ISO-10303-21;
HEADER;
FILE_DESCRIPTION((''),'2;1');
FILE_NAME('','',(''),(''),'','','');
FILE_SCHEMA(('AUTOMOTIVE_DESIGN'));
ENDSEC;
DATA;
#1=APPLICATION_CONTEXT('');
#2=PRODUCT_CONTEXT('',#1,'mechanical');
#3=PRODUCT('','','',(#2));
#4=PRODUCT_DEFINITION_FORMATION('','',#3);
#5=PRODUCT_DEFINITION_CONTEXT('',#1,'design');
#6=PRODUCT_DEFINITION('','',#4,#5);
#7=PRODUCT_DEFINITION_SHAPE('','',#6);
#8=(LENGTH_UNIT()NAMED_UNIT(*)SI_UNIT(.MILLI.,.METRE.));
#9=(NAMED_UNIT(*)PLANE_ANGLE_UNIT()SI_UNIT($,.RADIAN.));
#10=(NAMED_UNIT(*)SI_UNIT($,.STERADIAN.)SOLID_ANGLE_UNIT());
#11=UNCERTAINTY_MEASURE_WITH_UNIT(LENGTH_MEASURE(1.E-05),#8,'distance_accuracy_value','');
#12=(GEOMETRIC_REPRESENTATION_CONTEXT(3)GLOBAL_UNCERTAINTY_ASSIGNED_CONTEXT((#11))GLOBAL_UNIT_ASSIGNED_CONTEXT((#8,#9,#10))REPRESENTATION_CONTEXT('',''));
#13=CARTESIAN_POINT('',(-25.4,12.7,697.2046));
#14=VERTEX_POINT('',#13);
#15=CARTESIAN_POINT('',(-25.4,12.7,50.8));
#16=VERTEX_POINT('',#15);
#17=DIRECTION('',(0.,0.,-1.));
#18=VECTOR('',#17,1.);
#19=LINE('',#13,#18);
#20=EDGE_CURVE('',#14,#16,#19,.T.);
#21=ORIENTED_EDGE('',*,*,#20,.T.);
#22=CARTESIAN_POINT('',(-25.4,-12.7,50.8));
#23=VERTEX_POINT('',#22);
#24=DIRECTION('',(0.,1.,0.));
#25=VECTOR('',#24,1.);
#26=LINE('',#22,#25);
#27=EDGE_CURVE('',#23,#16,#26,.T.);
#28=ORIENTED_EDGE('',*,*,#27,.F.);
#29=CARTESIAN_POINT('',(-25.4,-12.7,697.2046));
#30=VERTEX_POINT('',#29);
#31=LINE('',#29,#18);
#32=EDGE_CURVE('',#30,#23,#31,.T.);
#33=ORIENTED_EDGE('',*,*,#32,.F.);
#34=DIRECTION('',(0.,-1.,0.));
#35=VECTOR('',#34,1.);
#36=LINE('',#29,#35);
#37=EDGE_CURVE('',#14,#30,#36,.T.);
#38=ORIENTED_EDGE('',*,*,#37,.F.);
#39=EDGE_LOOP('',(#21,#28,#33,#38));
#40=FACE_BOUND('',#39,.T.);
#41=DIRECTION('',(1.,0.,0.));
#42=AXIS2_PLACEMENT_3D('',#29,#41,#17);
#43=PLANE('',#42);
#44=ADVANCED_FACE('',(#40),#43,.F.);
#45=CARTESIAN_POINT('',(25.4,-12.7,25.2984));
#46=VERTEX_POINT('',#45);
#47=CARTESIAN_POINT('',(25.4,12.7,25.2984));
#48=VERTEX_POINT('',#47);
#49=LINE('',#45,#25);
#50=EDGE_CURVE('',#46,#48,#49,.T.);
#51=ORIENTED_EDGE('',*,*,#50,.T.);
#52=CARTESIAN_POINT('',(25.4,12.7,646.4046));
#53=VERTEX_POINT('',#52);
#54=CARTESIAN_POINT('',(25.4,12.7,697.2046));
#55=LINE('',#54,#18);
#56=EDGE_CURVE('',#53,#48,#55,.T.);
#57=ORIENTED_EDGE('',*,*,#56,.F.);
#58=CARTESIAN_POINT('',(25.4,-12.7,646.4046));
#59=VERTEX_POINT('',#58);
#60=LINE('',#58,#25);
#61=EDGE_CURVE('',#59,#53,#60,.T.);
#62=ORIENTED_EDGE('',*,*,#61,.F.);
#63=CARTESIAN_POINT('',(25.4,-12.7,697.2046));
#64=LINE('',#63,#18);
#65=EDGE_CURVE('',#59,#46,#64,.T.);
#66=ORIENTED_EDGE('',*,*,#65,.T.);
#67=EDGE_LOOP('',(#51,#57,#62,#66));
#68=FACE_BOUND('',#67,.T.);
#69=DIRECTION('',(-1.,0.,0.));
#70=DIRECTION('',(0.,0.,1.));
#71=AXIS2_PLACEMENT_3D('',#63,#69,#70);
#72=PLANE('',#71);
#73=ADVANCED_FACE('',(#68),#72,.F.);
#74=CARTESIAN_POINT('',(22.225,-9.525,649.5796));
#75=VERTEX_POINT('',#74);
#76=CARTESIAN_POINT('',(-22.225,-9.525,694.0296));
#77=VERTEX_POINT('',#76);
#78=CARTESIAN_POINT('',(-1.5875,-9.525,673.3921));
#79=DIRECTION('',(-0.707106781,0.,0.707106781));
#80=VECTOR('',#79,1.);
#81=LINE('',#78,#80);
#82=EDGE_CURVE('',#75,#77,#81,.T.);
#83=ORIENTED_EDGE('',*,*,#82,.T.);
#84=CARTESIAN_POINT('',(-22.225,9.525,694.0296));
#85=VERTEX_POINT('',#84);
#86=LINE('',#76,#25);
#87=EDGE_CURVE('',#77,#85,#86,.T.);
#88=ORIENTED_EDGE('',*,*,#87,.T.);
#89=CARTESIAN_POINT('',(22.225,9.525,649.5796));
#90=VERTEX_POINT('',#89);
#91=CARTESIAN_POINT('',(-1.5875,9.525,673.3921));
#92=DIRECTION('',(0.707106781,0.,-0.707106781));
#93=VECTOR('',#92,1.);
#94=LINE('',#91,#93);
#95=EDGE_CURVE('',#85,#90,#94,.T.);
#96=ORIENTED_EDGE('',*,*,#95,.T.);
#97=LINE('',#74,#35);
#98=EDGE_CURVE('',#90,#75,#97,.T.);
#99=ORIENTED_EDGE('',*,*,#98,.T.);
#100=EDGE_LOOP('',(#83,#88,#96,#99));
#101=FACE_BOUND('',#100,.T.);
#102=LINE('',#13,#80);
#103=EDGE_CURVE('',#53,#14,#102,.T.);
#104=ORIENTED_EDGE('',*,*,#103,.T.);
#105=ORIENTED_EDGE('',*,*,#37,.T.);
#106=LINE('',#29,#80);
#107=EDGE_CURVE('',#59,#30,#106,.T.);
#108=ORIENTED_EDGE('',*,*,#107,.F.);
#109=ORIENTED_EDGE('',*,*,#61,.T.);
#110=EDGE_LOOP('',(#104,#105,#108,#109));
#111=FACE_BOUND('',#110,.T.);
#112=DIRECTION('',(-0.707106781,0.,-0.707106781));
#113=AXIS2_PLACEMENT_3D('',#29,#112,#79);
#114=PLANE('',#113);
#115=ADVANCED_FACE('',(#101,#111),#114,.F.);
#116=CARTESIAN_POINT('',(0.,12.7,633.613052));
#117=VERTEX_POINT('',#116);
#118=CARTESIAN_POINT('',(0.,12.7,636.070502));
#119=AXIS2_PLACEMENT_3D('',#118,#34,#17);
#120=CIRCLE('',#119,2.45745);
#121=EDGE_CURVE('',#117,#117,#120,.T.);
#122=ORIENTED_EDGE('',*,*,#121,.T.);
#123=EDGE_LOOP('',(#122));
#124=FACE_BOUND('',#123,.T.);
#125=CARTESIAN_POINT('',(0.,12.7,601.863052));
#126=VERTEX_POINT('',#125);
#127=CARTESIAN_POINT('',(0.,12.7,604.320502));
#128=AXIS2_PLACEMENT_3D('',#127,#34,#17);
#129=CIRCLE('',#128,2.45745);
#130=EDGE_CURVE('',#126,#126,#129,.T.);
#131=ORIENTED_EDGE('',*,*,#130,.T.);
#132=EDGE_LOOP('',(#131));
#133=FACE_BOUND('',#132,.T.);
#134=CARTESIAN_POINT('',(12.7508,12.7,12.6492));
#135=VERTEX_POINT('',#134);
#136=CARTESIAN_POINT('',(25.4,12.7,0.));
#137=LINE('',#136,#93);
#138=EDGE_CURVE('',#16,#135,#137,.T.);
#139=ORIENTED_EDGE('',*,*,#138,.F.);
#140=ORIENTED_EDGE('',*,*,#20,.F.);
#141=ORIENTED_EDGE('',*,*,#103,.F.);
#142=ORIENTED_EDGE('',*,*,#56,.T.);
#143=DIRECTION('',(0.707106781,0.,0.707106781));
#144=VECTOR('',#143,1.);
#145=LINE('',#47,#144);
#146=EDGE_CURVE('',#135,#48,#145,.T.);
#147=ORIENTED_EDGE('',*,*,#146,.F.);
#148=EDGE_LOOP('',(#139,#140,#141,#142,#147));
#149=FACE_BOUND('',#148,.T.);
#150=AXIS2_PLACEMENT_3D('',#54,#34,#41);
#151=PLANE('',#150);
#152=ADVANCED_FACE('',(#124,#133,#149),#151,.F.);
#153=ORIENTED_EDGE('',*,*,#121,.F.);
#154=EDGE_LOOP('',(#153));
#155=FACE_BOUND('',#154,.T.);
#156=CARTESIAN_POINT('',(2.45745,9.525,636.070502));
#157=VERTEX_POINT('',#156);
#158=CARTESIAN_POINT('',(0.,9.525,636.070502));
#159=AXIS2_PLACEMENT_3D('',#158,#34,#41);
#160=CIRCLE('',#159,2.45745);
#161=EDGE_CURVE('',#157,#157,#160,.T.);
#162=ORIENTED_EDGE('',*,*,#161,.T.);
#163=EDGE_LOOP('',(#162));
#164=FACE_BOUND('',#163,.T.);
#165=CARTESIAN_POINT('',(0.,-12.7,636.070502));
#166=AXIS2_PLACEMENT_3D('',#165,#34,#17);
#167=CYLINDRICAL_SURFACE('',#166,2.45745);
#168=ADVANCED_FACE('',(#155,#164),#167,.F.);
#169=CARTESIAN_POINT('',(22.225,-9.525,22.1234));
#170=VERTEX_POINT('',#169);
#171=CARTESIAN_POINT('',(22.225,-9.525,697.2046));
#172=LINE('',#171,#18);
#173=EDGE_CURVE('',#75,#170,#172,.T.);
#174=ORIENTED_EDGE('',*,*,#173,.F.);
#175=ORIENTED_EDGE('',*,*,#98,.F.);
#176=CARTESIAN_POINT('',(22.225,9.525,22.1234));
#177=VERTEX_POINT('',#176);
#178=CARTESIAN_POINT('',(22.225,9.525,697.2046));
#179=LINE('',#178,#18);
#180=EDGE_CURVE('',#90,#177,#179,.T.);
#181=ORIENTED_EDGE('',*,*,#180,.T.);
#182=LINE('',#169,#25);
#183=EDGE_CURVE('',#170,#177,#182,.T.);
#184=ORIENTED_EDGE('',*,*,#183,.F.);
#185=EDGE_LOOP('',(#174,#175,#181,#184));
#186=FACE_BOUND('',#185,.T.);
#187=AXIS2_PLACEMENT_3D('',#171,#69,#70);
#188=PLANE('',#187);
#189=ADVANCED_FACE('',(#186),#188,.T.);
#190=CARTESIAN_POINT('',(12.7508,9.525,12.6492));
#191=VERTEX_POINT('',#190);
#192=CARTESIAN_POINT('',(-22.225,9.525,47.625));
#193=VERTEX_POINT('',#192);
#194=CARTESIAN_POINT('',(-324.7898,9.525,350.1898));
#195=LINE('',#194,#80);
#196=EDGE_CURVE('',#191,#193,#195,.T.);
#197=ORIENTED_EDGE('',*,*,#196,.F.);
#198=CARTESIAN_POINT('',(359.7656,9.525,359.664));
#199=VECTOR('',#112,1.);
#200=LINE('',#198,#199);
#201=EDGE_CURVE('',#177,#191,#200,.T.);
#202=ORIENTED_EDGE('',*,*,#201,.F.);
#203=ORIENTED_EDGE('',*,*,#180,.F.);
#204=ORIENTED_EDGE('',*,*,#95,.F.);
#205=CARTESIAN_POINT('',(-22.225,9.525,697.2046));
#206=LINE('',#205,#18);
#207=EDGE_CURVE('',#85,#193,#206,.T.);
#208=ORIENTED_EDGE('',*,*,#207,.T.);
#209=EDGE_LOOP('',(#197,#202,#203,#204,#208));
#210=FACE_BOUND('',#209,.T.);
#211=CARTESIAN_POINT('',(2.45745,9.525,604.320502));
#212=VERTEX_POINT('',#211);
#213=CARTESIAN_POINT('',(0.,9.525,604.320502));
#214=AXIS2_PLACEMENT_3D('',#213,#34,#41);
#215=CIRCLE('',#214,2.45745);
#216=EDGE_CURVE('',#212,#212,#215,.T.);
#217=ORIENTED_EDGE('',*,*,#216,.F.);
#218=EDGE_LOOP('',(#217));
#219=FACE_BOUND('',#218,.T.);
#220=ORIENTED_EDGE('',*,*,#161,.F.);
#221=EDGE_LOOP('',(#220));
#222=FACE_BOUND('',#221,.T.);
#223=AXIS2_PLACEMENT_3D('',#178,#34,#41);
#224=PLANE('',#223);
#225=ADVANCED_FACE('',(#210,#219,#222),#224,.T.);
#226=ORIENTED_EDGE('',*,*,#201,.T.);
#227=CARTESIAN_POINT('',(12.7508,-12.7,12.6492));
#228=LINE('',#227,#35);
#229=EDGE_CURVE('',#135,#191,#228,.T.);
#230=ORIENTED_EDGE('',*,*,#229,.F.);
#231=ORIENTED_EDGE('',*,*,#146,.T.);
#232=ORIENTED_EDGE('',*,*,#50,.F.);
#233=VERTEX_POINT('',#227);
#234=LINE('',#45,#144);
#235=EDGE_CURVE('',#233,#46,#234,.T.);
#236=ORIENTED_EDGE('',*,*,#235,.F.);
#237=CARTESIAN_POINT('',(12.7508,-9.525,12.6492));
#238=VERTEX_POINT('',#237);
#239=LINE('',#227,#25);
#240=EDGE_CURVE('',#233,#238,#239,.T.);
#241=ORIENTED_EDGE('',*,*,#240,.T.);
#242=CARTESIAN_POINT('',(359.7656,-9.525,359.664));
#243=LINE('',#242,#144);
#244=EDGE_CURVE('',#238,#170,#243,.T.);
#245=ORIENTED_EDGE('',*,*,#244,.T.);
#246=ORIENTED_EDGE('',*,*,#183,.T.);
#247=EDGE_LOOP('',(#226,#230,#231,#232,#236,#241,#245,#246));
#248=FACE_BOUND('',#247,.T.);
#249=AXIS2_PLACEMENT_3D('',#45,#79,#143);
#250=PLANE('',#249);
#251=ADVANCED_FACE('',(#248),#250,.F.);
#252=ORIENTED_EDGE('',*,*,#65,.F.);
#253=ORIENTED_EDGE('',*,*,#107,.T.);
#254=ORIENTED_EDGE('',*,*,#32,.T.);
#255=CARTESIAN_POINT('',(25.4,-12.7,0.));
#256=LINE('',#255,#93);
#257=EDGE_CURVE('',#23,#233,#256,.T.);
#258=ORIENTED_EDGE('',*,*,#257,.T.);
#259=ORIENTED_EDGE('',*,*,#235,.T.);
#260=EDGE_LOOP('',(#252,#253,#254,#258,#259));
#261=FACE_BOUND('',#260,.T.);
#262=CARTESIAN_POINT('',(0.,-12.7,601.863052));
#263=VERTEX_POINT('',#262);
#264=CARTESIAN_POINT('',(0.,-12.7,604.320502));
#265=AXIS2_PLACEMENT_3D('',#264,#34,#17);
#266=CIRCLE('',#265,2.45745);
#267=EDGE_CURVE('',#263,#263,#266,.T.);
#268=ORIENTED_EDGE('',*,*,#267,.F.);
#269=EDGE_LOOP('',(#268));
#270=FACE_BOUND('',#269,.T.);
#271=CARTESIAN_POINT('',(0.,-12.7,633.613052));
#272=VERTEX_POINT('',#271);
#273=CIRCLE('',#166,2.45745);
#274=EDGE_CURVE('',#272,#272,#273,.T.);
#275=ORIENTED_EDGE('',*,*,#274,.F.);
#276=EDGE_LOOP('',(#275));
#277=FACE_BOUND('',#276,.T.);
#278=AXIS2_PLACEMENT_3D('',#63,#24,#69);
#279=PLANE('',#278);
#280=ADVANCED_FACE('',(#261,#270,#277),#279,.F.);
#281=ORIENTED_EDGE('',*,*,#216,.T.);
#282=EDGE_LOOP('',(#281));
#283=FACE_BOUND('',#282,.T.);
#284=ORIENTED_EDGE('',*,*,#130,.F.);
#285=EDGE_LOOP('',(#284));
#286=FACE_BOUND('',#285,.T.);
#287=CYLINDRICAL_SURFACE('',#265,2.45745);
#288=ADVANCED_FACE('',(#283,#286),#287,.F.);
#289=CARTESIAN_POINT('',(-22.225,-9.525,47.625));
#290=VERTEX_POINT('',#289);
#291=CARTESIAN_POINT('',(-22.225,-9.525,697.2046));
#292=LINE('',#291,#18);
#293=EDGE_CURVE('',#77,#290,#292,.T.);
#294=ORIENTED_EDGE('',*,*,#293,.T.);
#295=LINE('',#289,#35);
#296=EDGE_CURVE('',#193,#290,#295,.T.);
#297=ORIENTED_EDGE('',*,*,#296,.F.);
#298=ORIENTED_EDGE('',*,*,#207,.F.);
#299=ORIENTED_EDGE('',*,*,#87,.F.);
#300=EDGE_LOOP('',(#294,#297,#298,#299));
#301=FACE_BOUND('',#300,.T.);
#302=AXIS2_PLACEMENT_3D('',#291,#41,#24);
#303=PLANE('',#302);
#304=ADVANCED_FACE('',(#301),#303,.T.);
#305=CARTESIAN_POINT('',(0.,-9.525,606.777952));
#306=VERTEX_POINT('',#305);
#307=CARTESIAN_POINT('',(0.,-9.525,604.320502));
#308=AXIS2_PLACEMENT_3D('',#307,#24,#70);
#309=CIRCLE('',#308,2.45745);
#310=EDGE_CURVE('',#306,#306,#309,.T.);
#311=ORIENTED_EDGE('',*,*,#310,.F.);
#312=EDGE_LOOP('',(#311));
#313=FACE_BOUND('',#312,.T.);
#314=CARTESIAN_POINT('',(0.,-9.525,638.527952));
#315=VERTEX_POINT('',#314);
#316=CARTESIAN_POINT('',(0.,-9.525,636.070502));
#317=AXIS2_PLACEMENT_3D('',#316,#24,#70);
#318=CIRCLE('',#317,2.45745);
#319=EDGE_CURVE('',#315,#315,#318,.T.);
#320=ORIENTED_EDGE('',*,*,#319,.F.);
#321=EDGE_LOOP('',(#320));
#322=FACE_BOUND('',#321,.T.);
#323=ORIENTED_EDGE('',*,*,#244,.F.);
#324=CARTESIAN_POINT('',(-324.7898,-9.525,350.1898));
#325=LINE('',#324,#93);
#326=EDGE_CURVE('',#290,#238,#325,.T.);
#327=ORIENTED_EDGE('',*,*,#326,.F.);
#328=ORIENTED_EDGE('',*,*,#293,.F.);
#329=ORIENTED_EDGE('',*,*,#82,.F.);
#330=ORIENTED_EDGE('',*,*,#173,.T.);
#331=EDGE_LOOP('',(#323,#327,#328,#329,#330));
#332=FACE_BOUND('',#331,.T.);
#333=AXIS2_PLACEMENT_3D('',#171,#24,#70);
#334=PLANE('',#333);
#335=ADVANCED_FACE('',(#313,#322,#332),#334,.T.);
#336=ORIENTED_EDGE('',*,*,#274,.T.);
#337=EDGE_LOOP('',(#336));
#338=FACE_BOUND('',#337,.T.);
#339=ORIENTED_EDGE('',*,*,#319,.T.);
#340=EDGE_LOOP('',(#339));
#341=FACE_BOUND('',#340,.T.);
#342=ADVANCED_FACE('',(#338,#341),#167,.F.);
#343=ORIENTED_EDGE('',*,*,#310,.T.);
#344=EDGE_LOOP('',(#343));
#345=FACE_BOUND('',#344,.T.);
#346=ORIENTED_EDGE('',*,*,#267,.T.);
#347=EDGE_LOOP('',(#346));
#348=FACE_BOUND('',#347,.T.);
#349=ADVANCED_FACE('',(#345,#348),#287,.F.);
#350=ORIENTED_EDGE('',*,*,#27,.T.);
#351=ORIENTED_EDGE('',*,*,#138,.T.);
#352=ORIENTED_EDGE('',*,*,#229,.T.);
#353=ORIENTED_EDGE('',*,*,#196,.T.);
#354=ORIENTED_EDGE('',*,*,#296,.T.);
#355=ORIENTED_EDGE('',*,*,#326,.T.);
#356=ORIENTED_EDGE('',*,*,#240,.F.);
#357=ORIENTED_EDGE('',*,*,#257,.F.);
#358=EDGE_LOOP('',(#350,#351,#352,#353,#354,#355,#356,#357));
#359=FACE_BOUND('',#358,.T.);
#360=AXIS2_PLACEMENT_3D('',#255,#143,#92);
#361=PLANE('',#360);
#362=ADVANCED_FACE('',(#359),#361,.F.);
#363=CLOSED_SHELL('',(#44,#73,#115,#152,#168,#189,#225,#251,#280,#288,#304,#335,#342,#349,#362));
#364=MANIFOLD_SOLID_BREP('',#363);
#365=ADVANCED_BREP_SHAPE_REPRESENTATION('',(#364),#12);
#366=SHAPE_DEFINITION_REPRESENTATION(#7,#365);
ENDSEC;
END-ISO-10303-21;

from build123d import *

# Parameters (mm, degrees)
SKETCH1_W                    = 50.8
SKETCH1_H                    = 25.4
SKETCH1_W_2                  = 44.45
SKETCH1_H_2                  = 19.05
BOSS_EXTRUDE1_DEPTH          = 697.2046
CUT_EXTRUDE1_DEPTH           = 699.129339207
CUT_EXTRUDE3_DEPTH           = 699.129339207
F_10_0_1935_DIAMETER_HOLE1_D = 4.9149


with BuildPart() as part:
    # Sketch1 → Boss-Extrude1 (new body)
    with BuildSketch(Plane.XY):
        Rectangle(SKETCH1_W, SKETCH1_H)
        Rectangle(SKETCH1_W_2, SKETCH1_H_2, mode=Mode.SUBTRACT)
    extrude(amount=BOSS_EXTRUDE1_DEPTH)

    # Sketch2 → Cut-Extrude1 (cut, through all)
    with BuildSketch(Plane(origin=(0, 12.7, 0), x_dir=(1, 0, 0), z_dir=(0, 1, 0))):
        Polygon((-25.4, -697.2046), (25.4, -646.4046), (25.4, -697.2046), align=None)
        Polygon((25.4, 0), (-25.4, -50.8), (-25.4, 0), align=None)
    extrude(amount=-CUT_EXTRUDE1_DEPTH, mode=Mode.SUBTRACT)

    # Sketch3 → Cut-Extrude3 (cut, through all)
    with BuildSketch(Plane(origin=(0, 12.7, 0), x_dir=(1, 0, 0), z_dir=(0, 1, 0))):
        Polygon((25.4, 0), (25.4, -25.2984), (12.7508, -12.6492), align=None)
    extrude(amount=-CUT_EXTRUDE3_DEPTH, mode=Mode.SUBTRACT)

    # #10 (0.1935) Diameter Hole1 (through all)
    with Locations(Plane(origin=(0, -12.7, 0), x_dir=(-1, 0, 0), z_dir=(0, -1, 0))):
        with Locations((0, -604.320502063), (0, -636.070502063)):
            Hole(F_10_0_1935_DIAMETER_HOLE1_D / 2)


solid = part.part
